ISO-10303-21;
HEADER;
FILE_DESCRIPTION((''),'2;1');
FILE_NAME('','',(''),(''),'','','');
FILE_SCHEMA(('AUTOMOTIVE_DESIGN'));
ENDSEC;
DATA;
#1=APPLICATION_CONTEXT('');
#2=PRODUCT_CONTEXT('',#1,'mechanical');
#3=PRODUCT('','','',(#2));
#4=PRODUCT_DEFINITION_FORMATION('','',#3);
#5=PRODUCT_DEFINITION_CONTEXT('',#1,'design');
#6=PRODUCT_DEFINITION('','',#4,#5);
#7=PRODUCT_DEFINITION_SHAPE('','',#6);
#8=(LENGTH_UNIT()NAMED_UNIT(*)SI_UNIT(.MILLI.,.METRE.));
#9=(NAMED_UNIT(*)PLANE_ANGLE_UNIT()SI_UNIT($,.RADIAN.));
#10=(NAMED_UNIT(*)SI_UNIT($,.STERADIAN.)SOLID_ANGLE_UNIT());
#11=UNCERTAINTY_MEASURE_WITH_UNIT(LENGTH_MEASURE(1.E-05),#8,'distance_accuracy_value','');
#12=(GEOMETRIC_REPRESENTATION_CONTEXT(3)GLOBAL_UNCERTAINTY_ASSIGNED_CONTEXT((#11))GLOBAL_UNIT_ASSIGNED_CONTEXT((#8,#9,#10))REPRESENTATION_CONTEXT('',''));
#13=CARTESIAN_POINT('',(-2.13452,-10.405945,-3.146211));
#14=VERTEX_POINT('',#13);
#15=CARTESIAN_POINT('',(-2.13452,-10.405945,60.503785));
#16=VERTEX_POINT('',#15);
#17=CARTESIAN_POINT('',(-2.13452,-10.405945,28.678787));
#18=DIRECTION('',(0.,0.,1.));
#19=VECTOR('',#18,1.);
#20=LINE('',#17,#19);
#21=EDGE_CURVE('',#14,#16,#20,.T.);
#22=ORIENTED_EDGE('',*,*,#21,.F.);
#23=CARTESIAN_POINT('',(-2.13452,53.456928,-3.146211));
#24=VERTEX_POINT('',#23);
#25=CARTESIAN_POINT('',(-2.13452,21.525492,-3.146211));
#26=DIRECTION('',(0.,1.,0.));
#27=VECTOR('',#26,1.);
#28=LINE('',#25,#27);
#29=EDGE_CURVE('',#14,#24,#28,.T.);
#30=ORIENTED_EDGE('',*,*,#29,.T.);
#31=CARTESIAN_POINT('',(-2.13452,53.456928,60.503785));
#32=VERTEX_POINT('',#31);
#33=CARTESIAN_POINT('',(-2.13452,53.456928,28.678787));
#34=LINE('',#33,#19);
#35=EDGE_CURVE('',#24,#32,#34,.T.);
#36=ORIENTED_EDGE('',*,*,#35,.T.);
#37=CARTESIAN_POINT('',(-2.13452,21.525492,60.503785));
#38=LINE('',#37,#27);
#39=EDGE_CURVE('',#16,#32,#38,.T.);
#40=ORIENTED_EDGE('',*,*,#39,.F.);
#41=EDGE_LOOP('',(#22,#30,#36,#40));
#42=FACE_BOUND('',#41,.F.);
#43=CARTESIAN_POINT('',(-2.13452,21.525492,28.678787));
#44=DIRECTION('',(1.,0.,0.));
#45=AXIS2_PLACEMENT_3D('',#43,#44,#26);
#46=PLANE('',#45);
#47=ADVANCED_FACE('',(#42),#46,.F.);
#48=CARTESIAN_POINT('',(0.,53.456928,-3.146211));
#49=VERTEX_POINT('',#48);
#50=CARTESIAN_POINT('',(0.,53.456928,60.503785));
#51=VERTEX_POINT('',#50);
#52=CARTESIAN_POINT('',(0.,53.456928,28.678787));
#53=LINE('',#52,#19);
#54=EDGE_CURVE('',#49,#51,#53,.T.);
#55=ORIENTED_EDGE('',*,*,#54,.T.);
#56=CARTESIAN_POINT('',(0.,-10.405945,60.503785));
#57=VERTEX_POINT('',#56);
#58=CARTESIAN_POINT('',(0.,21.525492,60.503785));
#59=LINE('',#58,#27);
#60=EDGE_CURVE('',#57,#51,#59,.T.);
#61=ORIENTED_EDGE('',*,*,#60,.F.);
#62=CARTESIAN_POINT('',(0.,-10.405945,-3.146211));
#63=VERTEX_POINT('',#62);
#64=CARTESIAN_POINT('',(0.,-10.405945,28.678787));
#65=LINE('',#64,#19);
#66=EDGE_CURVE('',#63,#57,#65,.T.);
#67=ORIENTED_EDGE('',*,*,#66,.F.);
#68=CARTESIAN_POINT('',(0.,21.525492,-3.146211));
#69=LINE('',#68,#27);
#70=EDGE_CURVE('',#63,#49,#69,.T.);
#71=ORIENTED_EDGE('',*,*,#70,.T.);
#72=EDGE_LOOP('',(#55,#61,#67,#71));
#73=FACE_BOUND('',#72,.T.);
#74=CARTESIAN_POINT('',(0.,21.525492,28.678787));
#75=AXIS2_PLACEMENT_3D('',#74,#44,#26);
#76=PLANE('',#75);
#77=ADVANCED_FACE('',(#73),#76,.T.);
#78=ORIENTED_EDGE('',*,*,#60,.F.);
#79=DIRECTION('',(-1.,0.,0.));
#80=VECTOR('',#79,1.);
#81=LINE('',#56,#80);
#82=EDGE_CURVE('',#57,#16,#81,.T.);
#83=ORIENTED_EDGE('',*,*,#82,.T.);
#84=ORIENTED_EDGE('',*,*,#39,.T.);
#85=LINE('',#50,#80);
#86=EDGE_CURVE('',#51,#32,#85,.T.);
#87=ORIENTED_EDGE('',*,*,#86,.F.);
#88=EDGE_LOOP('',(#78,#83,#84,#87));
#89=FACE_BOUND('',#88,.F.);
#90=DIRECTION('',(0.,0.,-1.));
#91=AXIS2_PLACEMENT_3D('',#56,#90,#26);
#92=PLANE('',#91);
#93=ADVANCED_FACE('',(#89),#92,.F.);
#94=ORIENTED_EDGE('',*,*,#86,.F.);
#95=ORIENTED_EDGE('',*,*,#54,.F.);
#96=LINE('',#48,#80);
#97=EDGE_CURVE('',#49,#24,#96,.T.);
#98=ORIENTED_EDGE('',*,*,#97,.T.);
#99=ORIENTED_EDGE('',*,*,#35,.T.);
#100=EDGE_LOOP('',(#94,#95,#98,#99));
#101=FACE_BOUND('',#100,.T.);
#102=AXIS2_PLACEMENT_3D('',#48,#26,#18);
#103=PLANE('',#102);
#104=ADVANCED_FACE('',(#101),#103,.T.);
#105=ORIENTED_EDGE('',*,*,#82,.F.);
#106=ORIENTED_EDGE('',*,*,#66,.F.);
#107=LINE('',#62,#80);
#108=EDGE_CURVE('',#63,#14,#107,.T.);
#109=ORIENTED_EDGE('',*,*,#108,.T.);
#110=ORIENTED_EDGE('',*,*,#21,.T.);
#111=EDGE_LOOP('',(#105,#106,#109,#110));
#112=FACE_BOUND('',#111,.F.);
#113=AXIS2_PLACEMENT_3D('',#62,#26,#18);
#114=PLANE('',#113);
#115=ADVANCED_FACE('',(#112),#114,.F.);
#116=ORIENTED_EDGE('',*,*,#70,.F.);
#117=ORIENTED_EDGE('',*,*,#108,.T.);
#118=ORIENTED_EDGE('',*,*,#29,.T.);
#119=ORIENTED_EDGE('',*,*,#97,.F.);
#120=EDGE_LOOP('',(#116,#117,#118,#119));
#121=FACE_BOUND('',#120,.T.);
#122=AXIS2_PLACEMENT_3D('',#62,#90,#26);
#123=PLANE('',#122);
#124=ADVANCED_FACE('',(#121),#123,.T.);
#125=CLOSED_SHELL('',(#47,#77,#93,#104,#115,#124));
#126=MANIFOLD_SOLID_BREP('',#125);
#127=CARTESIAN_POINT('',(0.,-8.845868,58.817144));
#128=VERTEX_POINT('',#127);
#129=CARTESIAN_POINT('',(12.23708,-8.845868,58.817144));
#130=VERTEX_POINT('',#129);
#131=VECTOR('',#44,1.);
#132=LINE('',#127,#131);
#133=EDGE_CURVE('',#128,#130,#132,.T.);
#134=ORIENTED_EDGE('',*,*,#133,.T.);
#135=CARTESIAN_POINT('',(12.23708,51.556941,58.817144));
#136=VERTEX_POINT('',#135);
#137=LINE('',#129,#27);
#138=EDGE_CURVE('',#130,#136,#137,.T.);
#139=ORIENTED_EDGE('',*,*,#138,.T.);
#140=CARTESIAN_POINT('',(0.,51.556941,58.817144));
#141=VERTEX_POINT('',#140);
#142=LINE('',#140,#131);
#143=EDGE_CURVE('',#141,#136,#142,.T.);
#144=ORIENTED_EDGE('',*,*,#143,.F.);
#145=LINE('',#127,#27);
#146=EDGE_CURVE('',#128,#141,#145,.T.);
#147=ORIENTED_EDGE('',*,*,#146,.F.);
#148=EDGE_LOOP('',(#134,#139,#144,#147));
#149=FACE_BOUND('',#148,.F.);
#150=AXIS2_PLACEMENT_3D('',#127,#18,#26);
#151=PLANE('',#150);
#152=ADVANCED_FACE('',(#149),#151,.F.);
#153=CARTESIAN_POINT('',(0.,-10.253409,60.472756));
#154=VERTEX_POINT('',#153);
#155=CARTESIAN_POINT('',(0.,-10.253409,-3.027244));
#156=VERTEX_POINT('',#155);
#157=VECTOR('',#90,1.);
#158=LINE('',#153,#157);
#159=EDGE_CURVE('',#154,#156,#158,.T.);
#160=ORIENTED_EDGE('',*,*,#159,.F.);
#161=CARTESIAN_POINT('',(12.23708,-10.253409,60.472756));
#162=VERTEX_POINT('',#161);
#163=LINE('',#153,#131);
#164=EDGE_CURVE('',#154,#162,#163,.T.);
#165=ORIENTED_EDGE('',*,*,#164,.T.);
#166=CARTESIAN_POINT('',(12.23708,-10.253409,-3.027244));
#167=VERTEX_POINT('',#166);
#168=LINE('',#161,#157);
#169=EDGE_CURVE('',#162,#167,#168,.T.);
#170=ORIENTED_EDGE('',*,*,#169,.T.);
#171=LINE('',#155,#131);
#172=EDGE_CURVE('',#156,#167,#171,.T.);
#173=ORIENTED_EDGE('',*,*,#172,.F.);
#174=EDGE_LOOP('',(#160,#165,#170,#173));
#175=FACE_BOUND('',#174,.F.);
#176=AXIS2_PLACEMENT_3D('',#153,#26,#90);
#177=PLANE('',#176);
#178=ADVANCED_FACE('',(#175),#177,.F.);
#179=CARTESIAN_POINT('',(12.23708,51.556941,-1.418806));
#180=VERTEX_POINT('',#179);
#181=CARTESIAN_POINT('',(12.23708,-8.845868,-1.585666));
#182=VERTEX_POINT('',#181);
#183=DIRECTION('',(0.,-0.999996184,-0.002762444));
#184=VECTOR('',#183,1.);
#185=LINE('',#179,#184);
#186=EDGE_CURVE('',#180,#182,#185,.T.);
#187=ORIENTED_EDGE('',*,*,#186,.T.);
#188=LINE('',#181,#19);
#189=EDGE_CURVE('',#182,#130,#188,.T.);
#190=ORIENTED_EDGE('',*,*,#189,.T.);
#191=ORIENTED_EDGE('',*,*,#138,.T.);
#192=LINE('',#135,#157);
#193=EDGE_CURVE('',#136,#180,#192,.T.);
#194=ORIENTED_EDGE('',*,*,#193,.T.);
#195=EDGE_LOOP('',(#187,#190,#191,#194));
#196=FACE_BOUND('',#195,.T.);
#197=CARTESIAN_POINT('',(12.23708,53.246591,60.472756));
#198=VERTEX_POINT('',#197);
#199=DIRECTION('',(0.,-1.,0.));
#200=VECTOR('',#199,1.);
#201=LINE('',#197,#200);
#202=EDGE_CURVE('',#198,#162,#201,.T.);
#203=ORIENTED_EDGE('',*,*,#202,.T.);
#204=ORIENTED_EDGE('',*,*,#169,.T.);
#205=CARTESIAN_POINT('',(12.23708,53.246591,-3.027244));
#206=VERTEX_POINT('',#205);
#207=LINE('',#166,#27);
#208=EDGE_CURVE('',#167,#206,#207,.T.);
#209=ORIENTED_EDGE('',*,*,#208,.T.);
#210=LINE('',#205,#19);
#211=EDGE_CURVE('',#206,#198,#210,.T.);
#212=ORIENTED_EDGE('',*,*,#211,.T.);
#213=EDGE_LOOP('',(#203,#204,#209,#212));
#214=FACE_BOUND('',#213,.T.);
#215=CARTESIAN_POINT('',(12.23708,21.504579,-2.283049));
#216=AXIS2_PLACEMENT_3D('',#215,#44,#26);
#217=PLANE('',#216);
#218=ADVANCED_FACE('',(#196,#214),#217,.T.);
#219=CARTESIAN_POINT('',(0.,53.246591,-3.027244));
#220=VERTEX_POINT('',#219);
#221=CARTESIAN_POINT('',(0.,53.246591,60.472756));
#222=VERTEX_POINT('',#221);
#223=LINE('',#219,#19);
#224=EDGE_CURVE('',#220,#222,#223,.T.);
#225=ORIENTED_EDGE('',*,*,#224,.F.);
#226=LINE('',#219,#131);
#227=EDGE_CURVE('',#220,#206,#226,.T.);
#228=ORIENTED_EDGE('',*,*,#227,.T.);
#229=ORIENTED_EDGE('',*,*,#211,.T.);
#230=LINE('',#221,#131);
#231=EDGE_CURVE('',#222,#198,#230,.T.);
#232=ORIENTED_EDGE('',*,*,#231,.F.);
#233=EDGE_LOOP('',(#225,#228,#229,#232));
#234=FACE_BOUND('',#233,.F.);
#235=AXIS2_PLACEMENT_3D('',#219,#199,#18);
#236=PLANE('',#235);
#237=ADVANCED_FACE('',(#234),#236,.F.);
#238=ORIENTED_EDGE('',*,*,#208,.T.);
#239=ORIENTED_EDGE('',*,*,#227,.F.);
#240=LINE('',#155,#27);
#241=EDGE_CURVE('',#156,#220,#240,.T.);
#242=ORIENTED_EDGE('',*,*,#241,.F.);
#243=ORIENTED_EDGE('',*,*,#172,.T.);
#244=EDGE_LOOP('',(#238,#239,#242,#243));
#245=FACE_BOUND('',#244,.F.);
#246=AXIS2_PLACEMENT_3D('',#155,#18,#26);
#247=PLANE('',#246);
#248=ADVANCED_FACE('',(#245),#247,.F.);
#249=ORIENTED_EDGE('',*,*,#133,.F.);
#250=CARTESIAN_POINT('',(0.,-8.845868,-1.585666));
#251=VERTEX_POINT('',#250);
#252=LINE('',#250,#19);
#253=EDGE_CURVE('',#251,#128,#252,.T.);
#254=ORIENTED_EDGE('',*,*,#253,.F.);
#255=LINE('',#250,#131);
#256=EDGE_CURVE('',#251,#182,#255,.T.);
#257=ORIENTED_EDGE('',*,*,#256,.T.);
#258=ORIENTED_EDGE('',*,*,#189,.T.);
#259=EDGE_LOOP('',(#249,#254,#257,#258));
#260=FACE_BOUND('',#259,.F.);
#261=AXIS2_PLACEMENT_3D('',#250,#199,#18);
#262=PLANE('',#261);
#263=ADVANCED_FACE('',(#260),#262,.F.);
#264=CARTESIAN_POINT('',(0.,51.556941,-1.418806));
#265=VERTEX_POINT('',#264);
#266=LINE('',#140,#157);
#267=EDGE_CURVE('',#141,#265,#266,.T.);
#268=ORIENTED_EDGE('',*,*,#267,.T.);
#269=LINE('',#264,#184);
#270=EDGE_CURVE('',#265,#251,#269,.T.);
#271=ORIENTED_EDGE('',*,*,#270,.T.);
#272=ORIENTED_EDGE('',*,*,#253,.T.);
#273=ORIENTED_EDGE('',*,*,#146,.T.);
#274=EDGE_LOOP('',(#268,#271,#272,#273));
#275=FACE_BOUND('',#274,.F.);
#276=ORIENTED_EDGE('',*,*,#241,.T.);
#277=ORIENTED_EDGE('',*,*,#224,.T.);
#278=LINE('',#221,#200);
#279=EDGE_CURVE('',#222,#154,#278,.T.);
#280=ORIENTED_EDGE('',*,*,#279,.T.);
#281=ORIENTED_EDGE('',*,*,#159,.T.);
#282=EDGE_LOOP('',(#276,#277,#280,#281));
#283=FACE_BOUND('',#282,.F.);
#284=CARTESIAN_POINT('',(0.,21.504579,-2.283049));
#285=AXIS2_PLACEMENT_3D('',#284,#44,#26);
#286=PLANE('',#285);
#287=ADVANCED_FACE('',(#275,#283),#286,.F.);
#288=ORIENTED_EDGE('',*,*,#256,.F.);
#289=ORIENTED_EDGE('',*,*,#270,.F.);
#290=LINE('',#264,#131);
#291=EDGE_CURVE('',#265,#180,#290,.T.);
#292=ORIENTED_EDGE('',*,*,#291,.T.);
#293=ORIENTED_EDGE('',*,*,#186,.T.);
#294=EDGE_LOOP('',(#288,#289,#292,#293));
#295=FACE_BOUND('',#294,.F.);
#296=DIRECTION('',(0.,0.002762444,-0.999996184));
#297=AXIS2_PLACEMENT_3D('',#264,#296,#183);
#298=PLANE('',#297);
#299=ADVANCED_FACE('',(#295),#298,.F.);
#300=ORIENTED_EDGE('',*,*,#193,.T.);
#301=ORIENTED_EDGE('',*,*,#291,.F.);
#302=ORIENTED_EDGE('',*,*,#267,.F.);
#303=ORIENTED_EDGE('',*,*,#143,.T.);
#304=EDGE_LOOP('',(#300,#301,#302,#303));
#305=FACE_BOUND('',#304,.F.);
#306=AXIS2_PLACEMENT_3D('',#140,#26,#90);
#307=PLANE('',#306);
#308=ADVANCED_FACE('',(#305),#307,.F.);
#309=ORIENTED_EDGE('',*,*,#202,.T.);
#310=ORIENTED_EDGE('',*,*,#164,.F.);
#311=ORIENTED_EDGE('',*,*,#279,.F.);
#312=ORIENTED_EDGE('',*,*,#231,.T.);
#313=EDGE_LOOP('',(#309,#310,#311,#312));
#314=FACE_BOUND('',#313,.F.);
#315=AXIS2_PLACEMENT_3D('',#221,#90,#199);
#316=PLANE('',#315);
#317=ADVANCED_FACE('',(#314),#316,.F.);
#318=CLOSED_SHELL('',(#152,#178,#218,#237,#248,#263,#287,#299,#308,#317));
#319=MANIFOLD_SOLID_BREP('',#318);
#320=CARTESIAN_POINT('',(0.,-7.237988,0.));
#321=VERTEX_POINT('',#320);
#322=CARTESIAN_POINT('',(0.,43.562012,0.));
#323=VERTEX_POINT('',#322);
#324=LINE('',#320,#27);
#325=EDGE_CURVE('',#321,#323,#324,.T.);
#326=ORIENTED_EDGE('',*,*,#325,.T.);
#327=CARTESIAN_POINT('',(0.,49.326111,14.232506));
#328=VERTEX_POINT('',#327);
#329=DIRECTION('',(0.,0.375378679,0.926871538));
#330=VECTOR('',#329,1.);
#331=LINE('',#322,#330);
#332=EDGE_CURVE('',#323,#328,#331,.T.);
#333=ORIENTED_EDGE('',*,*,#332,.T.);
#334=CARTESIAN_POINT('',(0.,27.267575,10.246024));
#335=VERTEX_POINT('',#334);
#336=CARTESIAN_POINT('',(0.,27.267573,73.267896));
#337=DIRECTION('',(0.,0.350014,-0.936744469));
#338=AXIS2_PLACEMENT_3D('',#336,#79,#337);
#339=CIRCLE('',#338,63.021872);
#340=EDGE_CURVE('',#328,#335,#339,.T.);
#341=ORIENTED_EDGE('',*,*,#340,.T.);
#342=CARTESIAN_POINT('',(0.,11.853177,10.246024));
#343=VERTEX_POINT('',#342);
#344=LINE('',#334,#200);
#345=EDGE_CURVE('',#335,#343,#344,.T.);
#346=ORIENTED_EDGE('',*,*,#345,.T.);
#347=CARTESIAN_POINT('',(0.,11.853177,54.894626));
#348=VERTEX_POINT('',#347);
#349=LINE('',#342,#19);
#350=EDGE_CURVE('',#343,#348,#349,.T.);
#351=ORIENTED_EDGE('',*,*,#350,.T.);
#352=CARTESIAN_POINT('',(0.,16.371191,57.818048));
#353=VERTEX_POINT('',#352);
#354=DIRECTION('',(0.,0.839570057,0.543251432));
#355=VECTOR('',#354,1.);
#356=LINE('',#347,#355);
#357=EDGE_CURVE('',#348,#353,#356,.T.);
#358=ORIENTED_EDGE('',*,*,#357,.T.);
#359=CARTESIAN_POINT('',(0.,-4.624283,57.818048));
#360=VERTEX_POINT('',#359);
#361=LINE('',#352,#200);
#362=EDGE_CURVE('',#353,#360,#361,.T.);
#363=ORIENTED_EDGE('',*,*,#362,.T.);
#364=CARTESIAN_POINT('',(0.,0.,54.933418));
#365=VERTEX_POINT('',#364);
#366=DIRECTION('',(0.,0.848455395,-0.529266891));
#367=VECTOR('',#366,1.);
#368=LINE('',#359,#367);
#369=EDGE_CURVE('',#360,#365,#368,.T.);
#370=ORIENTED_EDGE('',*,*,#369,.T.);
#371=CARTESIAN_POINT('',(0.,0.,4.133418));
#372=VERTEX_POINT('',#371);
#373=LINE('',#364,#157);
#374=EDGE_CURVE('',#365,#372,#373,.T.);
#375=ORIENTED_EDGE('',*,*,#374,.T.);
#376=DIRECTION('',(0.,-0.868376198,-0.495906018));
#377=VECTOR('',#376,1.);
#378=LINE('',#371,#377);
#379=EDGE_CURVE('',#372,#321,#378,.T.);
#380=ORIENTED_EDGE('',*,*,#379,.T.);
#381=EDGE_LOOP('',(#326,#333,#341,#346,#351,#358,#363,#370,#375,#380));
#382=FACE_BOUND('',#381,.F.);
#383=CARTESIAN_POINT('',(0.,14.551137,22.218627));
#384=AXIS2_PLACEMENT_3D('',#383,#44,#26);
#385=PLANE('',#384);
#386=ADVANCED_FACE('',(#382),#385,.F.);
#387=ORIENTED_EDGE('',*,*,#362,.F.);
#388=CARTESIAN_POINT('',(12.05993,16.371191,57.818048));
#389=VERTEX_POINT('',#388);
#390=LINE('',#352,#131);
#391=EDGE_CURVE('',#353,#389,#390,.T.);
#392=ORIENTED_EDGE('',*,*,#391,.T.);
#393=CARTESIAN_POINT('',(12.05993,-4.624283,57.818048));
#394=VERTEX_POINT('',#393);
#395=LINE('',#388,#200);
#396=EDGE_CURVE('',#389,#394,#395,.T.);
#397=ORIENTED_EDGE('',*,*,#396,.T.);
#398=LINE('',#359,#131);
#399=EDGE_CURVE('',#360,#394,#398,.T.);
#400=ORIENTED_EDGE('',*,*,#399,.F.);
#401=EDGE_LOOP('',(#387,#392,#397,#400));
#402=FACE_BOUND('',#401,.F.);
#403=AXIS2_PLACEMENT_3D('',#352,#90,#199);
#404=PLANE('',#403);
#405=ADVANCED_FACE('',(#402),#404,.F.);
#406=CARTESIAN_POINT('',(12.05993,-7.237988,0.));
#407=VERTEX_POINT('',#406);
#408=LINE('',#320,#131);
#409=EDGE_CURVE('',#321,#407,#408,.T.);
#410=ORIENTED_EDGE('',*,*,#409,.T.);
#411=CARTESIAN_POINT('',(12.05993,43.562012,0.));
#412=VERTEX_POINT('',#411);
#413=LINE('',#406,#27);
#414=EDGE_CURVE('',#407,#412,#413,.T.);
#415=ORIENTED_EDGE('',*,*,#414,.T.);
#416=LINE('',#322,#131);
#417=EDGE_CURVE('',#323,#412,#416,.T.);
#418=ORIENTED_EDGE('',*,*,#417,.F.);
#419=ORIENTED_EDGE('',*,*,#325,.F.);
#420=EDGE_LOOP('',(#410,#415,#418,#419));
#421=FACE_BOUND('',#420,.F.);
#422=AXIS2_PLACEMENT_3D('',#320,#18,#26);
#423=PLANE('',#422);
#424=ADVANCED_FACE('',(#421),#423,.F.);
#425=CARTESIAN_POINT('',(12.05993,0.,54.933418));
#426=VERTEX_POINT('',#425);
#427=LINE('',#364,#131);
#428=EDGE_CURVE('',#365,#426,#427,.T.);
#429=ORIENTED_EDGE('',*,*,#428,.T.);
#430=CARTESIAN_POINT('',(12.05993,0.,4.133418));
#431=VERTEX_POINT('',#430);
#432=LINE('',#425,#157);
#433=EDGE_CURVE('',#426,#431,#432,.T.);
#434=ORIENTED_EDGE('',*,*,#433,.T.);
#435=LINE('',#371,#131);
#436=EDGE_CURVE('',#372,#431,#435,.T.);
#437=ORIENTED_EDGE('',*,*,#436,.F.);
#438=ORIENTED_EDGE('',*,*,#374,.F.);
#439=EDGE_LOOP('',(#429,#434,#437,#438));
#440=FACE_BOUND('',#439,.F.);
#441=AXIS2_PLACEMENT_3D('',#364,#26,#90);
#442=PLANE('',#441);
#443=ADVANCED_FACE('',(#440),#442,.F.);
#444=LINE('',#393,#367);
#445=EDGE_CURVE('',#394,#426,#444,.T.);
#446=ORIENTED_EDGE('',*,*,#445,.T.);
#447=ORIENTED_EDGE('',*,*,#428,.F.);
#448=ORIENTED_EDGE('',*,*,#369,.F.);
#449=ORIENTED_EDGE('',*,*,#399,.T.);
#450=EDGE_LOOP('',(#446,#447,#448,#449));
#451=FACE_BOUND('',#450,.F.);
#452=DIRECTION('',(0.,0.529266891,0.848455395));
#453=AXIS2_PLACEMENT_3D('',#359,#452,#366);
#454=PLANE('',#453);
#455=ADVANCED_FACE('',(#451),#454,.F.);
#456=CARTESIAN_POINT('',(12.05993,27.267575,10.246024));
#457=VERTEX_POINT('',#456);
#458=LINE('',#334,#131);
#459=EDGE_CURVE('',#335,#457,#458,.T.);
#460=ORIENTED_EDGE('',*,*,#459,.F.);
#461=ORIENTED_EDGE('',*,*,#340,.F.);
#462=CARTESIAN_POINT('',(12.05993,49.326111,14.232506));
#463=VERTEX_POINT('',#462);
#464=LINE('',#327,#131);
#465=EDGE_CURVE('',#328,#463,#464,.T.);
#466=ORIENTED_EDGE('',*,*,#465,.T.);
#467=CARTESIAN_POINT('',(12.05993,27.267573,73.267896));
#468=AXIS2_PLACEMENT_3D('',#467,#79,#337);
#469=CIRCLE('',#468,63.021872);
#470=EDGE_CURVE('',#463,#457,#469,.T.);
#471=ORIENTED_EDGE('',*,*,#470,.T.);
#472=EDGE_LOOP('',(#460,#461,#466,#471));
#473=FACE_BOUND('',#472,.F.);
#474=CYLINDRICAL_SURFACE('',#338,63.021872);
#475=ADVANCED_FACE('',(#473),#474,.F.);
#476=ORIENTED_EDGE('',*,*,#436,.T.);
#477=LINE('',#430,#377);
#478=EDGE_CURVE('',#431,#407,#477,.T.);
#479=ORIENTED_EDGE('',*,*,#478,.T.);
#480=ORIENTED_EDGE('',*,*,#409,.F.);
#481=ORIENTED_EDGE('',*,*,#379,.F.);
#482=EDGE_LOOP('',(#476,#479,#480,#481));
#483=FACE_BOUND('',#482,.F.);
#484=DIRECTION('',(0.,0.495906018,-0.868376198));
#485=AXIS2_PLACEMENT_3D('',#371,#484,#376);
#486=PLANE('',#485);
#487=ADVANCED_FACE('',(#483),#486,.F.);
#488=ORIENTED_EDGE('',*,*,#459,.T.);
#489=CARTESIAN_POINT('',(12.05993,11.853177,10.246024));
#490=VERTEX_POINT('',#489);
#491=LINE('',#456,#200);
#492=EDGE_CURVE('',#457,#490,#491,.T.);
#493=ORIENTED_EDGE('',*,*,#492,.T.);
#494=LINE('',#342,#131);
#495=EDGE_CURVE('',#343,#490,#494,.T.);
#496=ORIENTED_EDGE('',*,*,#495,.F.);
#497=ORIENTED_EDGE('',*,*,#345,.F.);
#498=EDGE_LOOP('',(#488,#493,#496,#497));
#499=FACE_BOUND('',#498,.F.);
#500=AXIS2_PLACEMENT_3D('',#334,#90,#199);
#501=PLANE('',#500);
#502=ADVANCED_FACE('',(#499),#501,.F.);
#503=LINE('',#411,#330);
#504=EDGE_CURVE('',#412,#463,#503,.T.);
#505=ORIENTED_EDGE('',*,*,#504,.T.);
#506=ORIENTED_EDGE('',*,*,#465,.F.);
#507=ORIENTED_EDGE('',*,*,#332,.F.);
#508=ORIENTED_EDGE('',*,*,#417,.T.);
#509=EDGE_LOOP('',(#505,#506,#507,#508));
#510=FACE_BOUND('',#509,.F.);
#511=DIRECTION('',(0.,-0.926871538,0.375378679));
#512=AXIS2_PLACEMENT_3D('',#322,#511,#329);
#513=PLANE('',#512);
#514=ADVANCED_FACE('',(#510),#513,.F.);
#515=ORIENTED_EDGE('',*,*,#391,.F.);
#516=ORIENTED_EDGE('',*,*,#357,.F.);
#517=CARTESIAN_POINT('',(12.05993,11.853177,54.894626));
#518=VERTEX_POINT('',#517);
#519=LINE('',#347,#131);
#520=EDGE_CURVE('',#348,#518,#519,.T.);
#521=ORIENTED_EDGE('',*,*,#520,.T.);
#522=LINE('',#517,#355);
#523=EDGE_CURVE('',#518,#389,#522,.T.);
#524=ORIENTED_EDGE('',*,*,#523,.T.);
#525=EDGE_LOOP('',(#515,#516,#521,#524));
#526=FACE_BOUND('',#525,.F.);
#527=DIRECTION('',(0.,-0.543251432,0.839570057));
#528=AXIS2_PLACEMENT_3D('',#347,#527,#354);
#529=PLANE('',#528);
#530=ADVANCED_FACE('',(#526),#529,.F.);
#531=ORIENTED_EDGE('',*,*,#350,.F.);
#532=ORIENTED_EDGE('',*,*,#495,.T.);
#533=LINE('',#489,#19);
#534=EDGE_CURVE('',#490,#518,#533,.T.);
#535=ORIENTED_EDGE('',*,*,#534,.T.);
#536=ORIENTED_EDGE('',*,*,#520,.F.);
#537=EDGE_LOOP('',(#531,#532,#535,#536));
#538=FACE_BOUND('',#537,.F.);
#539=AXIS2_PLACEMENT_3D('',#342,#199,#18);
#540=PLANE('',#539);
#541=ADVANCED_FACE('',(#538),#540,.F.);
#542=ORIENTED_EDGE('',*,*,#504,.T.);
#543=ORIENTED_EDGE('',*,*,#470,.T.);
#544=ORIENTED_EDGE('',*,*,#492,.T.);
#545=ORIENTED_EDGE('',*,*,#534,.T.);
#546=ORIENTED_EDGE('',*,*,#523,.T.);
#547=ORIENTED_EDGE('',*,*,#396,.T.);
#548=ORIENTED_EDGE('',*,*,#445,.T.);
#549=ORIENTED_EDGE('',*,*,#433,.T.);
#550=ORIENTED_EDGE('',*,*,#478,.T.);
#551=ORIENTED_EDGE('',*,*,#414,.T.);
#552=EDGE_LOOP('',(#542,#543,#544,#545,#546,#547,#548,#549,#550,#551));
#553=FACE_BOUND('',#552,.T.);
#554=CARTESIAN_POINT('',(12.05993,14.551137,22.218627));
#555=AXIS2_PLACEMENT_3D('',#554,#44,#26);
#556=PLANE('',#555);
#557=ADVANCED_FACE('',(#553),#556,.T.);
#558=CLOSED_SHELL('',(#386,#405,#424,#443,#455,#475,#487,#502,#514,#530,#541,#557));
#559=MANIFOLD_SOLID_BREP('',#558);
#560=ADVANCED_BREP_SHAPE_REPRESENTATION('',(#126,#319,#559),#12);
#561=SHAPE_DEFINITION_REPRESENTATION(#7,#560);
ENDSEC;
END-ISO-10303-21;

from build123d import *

# Parameters (mm, degrees)
F1_DEPTH = 12.05993
F3_DEPTH = 12.23708
F4_W     = 63.862873
F4_H     = 63.649995
F5_DEPTH = 2.13452


with BuildPart() as f1:
    # F0 (on Right) → F1 (new body)
    with BuildSketch(Plane.YZ):
        with BuildLine():
            Line((0, 4.133418), (-7.237988, 0))
            Line((-7.237988, 0), (43.562012, 0))
            Line((43.562012, 0), (49.326111, 14.232506))
            ThreePointArc((49.326111, 14.232506), (38.475508, 11.250652), (27.267575, 10.246024))
            Line((27.267575, 10.246024), (11.853177, 10.246024))
            Line((11.853177, 10.246024), (11.853177, 54.894626))
            Line((11.853177, 54.894626), (16.371191, 57.818048))
            Line((16.371191, 57.818048), (-4.624283, 57.818048))
            Line((-4.624283, 57.818048), (0, 54.933418))
            Line((0, 54.933418), (0, 4.133418))
        make_face()
    extrude(amount=F1_DEPTH)


with BuildPart() as f3:
    # F2 (on Right) → F3 (new body)
    with BuildSketch(Plane.YZ):
        Polygon((-8.845868, -1.585666), (-10.253409, -3.027244), (53.246591, -3.027244), (51.556941, -1.418806), align=None)
        Polygon((-10.253409, 60.472756), (-10.253409, -3.027244), (-8.845868, -1.585666), (-8.845868, 58.817144), align=None)
        Polygon((51.556941, -1.418806), (53.246591, -3.027244), (53.246591, 60.472756), (51.556941, 58.817144), align=None)
        Polygon((53.246591, 60.472756), (-10.253409, 60.472756), (-8.845868, 58.817144), (51.556941, 58.817144), align=None)
    extrude(amount=F3_DEPTH)


with BuildPart() as f5:
    # F4 (on Right) → F5 (new body)
    with BuildSketch(Plane.YZ):
        with Locations((21.525492, 28.678787)):
            Rectangle(F4_W, F4_H)
    extrude(amount=-F5_DEPTH)


solid = Compound([f1.part, f3.part, f5.part])
